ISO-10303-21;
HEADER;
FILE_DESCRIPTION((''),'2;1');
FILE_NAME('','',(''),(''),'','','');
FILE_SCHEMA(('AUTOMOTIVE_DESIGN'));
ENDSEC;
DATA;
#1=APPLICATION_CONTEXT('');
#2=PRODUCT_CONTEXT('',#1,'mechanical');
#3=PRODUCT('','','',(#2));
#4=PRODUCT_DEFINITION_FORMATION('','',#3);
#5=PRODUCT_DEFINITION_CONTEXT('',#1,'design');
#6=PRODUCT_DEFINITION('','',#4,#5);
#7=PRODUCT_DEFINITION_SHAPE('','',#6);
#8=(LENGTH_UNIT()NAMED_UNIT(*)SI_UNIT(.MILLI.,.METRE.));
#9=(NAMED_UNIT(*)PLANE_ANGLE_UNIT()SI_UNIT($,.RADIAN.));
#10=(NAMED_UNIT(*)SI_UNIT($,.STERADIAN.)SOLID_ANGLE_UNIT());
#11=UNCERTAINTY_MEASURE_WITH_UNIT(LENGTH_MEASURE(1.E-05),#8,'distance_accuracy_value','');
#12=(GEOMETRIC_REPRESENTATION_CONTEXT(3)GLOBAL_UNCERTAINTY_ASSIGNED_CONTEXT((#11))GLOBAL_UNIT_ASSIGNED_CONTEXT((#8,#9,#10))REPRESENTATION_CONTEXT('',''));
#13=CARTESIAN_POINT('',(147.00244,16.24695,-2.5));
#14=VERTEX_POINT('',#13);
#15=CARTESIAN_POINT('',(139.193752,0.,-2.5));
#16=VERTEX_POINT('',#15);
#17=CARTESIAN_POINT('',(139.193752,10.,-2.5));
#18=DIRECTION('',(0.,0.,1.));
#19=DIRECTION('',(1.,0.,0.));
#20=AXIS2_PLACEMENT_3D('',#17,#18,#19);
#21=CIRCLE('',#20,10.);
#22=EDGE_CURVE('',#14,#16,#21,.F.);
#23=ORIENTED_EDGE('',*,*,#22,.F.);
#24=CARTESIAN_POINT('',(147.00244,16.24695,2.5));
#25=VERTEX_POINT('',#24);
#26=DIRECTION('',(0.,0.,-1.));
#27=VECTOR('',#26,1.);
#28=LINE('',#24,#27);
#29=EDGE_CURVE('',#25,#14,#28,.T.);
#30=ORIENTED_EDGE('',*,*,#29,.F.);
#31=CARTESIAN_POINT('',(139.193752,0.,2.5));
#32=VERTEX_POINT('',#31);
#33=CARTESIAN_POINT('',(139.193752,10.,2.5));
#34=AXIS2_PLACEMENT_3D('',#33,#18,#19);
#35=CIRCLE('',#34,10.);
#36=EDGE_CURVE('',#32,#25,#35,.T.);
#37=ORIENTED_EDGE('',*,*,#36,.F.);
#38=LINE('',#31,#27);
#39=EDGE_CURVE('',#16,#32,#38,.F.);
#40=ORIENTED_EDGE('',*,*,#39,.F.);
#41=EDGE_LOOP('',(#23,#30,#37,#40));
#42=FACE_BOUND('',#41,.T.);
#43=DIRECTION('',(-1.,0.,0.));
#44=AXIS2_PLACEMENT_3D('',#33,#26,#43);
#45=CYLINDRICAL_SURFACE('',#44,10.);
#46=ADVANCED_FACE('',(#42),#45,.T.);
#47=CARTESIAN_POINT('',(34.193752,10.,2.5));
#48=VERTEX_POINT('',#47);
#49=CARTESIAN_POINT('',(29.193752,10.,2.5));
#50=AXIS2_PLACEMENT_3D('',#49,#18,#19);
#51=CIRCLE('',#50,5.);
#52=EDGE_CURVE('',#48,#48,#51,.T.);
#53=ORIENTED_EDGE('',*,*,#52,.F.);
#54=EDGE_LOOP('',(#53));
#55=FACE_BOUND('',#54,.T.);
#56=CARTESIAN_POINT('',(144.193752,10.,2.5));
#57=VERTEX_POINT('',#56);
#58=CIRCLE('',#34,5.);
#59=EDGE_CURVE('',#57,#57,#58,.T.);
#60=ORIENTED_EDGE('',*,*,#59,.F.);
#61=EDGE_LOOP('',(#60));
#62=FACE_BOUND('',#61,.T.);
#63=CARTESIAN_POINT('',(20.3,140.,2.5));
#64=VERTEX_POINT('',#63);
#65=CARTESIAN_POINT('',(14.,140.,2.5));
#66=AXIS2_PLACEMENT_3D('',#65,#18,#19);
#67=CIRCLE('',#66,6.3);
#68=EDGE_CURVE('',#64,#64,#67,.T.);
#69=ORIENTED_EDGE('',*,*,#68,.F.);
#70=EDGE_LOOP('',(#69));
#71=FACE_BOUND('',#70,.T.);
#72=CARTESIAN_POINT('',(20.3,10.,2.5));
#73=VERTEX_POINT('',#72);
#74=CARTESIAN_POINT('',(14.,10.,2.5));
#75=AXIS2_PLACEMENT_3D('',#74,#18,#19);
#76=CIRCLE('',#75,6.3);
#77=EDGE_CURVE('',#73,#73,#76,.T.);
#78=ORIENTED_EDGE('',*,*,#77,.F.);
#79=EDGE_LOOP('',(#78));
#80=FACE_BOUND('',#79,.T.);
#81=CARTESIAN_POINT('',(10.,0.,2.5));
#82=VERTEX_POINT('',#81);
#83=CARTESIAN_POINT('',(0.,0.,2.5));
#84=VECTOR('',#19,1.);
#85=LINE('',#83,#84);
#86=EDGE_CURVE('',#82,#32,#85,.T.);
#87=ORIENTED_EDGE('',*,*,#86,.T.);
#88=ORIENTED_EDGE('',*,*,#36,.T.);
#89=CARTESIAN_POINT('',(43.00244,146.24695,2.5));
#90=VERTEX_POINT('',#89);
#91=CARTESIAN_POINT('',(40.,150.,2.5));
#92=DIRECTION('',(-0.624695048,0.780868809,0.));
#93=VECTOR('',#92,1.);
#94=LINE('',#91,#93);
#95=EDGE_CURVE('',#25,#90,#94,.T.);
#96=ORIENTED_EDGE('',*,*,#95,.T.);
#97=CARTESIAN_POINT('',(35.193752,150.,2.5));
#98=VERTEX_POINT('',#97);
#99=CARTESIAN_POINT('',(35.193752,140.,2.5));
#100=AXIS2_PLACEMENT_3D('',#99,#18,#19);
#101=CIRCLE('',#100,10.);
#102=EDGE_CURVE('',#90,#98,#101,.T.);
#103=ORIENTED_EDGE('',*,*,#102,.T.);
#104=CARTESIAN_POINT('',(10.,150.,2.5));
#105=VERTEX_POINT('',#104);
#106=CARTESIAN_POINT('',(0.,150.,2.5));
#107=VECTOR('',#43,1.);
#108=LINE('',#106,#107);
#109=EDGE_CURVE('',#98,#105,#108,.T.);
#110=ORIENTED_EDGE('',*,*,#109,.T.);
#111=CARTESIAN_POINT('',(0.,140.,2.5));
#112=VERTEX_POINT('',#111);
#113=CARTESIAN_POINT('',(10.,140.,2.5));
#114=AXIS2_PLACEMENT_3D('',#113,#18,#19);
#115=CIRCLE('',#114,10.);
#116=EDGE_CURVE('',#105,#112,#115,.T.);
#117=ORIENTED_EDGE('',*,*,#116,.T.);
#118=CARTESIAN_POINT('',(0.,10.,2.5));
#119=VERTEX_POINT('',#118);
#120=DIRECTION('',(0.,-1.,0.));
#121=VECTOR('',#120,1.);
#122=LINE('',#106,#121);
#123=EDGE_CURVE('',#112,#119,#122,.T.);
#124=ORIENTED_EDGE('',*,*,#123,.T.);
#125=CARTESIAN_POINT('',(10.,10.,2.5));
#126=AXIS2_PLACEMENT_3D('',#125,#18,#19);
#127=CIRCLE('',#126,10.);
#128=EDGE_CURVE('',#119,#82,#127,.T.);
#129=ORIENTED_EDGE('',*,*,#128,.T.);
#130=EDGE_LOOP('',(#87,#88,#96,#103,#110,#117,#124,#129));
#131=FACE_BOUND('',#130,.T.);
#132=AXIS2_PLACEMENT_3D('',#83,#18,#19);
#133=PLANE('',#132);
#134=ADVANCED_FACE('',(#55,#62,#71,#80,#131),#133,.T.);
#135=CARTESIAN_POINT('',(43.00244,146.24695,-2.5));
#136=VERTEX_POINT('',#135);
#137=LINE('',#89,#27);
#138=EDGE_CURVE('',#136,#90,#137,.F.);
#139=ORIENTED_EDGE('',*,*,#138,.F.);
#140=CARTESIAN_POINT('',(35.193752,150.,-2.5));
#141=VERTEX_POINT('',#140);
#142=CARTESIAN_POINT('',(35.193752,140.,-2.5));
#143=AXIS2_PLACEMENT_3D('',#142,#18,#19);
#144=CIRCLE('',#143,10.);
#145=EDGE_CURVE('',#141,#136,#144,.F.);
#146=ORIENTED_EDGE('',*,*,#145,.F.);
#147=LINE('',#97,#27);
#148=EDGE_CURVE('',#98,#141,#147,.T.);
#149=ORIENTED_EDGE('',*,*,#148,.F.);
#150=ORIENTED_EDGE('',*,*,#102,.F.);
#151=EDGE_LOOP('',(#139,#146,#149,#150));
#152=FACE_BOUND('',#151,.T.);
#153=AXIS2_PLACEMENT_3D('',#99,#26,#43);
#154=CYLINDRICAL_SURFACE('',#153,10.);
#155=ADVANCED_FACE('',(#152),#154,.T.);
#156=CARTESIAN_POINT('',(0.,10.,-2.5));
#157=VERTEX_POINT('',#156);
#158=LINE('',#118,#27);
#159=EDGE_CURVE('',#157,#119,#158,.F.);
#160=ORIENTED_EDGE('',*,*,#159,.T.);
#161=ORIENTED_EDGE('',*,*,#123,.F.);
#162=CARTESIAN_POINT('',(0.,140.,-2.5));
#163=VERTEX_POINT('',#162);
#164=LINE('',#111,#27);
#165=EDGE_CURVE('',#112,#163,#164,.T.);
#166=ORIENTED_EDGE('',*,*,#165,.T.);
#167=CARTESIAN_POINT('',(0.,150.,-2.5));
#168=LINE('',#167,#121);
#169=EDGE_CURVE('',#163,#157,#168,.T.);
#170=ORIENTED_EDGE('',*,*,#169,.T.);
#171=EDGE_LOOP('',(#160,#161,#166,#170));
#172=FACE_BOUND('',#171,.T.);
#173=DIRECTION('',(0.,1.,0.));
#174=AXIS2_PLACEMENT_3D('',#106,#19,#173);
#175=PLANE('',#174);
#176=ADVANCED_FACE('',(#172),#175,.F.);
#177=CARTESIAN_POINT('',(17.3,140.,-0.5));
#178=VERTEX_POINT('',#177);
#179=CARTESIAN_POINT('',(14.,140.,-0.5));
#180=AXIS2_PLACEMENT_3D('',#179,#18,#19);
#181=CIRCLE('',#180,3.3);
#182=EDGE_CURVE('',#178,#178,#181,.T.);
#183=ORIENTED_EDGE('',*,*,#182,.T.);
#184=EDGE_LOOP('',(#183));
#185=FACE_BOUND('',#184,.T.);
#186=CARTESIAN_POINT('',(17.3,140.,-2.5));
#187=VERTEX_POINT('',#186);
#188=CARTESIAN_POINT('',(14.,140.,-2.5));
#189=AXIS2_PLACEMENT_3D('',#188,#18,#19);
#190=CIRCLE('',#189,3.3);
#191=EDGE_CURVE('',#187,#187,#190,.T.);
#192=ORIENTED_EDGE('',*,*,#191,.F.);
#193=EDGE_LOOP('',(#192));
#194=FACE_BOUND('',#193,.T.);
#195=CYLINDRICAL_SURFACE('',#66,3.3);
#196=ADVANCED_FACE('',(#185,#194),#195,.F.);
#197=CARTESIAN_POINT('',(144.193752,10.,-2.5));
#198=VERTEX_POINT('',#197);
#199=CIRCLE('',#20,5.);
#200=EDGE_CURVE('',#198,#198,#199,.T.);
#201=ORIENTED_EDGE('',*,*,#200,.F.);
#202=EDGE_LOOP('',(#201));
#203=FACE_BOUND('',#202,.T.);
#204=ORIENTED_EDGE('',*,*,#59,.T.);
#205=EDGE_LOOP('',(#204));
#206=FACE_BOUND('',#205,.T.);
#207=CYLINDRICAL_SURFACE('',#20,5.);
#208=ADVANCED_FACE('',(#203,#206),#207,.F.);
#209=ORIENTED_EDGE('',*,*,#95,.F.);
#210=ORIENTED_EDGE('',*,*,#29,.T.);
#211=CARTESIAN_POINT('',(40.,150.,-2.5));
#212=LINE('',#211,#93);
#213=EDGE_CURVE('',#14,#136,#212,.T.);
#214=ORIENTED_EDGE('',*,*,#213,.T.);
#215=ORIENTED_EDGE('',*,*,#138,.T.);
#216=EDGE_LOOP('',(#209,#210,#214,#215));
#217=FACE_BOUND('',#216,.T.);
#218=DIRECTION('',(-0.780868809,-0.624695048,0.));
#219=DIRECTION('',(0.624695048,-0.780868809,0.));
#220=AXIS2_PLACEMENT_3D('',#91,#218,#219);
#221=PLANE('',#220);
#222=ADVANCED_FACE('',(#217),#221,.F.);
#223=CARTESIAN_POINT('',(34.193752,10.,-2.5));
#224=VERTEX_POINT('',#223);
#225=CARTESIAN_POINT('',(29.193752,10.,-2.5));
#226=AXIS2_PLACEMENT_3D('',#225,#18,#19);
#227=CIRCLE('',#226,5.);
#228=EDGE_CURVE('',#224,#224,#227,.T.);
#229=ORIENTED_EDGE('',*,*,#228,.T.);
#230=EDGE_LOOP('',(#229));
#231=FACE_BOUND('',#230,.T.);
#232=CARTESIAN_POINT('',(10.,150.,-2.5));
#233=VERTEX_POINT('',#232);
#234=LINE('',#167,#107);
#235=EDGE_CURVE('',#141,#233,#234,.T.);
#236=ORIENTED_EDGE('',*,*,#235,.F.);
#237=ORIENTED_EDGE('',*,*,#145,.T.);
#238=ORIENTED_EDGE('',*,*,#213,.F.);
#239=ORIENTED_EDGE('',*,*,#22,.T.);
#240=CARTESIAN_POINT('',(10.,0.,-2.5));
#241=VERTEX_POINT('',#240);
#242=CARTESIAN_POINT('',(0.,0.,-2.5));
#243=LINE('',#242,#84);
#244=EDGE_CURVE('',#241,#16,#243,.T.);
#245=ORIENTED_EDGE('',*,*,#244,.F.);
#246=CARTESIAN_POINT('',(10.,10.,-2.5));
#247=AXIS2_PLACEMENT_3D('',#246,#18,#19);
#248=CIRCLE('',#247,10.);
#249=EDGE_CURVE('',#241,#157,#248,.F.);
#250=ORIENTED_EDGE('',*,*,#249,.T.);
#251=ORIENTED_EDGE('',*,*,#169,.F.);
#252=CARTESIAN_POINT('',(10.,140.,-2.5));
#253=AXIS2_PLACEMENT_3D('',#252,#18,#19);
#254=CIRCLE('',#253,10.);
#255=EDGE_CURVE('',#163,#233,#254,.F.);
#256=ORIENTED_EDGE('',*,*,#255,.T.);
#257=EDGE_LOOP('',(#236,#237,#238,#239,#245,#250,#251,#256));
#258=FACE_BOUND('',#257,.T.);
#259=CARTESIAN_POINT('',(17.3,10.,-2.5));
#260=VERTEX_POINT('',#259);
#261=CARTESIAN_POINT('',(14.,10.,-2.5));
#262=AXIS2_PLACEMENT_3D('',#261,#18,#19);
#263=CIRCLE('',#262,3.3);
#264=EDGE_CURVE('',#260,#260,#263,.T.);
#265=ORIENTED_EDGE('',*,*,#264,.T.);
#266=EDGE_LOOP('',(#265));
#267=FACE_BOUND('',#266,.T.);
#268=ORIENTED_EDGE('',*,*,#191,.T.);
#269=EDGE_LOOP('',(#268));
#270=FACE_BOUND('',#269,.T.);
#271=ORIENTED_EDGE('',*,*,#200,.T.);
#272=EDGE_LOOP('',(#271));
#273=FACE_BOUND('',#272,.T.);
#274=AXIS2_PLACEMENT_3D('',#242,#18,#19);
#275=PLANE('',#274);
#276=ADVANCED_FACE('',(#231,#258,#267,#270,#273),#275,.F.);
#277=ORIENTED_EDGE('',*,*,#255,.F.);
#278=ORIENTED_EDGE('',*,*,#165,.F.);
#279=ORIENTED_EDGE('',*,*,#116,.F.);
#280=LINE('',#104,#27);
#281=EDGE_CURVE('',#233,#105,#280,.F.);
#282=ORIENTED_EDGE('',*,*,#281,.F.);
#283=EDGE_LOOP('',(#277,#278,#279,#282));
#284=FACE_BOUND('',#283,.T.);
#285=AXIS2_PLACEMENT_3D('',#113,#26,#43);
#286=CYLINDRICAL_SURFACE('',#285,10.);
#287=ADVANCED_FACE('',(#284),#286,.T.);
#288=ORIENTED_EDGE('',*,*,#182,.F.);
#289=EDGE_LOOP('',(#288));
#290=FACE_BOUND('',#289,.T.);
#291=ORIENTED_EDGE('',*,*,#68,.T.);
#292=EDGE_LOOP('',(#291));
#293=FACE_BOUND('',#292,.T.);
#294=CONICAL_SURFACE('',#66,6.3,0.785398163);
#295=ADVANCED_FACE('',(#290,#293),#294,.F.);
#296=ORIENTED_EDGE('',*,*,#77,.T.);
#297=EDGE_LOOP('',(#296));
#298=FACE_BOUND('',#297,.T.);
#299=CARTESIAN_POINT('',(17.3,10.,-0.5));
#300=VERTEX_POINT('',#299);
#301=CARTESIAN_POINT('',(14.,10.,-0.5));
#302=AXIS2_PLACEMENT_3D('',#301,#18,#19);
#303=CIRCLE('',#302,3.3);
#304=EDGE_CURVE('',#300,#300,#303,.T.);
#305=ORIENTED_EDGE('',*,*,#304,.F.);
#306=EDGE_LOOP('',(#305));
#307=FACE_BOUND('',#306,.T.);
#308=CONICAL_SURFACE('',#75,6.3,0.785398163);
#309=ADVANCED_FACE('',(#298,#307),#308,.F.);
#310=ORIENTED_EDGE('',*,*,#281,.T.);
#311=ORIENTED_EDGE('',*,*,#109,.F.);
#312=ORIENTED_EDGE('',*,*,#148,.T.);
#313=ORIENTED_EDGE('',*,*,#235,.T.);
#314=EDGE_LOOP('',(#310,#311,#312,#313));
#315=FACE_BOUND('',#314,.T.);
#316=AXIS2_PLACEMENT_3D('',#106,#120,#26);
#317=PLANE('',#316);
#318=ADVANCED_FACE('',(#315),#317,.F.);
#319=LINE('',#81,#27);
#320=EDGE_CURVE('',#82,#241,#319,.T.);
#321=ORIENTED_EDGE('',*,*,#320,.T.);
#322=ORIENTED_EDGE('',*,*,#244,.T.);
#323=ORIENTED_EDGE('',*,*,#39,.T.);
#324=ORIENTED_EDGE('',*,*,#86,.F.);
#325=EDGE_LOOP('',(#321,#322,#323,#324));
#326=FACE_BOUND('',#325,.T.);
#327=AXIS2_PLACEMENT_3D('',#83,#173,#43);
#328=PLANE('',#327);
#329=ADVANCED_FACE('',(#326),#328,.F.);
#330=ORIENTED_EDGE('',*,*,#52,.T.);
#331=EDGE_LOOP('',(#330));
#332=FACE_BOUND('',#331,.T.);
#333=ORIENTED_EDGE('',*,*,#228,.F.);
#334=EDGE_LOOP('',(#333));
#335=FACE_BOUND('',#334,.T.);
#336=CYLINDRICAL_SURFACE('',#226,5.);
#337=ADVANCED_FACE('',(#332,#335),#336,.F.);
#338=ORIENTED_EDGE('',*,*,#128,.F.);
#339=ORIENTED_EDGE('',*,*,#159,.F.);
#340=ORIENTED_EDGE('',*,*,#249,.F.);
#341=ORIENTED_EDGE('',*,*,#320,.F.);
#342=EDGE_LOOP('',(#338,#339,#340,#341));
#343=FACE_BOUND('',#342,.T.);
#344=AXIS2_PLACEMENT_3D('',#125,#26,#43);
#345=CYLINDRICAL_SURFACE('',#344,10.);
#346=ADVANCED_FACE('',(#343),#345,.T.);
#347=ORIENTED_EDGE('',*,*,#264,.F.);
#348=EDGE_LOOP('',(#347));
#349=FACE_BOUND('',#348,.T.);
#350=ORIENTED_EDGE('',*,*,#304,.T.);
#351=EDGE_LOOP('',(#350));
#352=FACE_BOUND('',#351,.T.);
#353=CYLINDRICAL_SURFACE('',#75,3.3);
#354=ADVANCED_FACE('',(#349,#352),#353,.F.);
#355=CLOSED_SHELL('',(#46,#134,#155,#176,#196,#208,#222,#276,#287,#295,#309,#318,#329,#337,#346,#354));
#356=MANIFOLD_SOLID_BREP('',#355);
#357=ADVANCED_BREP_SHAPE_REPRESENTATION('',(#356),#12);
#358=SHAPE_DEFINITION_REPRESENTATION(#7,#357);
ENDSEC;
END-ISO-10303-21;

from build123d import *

# Parameters (mm, degrees)
EXTRUDE_410_DEPTH         = 2.5
HOLE_WIZARD_M6_AT_2_COUNT = 2
HOLE_WIZARD_M6_AT_2_PITCH = 130
FILLET_1_R                = 10
SKETCH_2_R                = 5
CUT_EXTRUDE_1_DEPTH       = 212.621774622


with BuildPart() as part:
    # Эскиз1 → Extrude 410 (new, symmetric)
    with BuildSketch(Plane.XY):
        Polygon((0, 0), (160, 0), (40, 150), (0, 150), align=None)
    extrude(amount=EXTRUDE_410_DEPTH, both=True)

    # Эскиз4 → Крепление-M6 (revolve, cut)
    with BuildSketch(Plane(origin=(14, 140, 2.5), x_dir=(0, -1, 0), z_dir=(1, 0, 0))):
        Polygon((0, 0), (0, 5), (3.3, 5), (3.3, 3), (6.3, 0), align=None)
    hole_wizard_m6 = revolve(axis=Axis((14, 140, 8.85), (0, 0, -1)), mode=Mode.SUBTRACT)

    # Крепление-M6 at 2: Крепление-M6 ×2
    with Locations(*[(0, -i * HOLE_WIZARD_M6_AT_2_PITCH, 0) for i in range(1, HOLE_WIZARD_M6_AT_2_COUNT)]):
        add(hole_wizard_m6, mode=Mode.SUBTRACT)

    # Скругление1
    fillet_1_edges = [part.edges().sort_by_distance(p)[0] for p in [
        (0, 150, 0),
        (40, 150, 0),
        (160, 0, 0),
        (0, 0, 0),
    ]]
    fillet(fillet_1_edges, radius=FILLET_1_R)

    # Эскиз2 → Вырез-Вытянуть1 (cut, through all)
    with BuildSketch(Plane.XY.offset(2.5)):
        with Locations((139.193751525, 10)):
            Circle(SKETCH_2_R)
        with Locations((29.193751525, 10)):
            Circle(SKETCH_2_R)
    extrude(amount=-CUT_EXTRUDE_1_DEPTH, mode=Mode.SUBTRACT)


solid = part.part
